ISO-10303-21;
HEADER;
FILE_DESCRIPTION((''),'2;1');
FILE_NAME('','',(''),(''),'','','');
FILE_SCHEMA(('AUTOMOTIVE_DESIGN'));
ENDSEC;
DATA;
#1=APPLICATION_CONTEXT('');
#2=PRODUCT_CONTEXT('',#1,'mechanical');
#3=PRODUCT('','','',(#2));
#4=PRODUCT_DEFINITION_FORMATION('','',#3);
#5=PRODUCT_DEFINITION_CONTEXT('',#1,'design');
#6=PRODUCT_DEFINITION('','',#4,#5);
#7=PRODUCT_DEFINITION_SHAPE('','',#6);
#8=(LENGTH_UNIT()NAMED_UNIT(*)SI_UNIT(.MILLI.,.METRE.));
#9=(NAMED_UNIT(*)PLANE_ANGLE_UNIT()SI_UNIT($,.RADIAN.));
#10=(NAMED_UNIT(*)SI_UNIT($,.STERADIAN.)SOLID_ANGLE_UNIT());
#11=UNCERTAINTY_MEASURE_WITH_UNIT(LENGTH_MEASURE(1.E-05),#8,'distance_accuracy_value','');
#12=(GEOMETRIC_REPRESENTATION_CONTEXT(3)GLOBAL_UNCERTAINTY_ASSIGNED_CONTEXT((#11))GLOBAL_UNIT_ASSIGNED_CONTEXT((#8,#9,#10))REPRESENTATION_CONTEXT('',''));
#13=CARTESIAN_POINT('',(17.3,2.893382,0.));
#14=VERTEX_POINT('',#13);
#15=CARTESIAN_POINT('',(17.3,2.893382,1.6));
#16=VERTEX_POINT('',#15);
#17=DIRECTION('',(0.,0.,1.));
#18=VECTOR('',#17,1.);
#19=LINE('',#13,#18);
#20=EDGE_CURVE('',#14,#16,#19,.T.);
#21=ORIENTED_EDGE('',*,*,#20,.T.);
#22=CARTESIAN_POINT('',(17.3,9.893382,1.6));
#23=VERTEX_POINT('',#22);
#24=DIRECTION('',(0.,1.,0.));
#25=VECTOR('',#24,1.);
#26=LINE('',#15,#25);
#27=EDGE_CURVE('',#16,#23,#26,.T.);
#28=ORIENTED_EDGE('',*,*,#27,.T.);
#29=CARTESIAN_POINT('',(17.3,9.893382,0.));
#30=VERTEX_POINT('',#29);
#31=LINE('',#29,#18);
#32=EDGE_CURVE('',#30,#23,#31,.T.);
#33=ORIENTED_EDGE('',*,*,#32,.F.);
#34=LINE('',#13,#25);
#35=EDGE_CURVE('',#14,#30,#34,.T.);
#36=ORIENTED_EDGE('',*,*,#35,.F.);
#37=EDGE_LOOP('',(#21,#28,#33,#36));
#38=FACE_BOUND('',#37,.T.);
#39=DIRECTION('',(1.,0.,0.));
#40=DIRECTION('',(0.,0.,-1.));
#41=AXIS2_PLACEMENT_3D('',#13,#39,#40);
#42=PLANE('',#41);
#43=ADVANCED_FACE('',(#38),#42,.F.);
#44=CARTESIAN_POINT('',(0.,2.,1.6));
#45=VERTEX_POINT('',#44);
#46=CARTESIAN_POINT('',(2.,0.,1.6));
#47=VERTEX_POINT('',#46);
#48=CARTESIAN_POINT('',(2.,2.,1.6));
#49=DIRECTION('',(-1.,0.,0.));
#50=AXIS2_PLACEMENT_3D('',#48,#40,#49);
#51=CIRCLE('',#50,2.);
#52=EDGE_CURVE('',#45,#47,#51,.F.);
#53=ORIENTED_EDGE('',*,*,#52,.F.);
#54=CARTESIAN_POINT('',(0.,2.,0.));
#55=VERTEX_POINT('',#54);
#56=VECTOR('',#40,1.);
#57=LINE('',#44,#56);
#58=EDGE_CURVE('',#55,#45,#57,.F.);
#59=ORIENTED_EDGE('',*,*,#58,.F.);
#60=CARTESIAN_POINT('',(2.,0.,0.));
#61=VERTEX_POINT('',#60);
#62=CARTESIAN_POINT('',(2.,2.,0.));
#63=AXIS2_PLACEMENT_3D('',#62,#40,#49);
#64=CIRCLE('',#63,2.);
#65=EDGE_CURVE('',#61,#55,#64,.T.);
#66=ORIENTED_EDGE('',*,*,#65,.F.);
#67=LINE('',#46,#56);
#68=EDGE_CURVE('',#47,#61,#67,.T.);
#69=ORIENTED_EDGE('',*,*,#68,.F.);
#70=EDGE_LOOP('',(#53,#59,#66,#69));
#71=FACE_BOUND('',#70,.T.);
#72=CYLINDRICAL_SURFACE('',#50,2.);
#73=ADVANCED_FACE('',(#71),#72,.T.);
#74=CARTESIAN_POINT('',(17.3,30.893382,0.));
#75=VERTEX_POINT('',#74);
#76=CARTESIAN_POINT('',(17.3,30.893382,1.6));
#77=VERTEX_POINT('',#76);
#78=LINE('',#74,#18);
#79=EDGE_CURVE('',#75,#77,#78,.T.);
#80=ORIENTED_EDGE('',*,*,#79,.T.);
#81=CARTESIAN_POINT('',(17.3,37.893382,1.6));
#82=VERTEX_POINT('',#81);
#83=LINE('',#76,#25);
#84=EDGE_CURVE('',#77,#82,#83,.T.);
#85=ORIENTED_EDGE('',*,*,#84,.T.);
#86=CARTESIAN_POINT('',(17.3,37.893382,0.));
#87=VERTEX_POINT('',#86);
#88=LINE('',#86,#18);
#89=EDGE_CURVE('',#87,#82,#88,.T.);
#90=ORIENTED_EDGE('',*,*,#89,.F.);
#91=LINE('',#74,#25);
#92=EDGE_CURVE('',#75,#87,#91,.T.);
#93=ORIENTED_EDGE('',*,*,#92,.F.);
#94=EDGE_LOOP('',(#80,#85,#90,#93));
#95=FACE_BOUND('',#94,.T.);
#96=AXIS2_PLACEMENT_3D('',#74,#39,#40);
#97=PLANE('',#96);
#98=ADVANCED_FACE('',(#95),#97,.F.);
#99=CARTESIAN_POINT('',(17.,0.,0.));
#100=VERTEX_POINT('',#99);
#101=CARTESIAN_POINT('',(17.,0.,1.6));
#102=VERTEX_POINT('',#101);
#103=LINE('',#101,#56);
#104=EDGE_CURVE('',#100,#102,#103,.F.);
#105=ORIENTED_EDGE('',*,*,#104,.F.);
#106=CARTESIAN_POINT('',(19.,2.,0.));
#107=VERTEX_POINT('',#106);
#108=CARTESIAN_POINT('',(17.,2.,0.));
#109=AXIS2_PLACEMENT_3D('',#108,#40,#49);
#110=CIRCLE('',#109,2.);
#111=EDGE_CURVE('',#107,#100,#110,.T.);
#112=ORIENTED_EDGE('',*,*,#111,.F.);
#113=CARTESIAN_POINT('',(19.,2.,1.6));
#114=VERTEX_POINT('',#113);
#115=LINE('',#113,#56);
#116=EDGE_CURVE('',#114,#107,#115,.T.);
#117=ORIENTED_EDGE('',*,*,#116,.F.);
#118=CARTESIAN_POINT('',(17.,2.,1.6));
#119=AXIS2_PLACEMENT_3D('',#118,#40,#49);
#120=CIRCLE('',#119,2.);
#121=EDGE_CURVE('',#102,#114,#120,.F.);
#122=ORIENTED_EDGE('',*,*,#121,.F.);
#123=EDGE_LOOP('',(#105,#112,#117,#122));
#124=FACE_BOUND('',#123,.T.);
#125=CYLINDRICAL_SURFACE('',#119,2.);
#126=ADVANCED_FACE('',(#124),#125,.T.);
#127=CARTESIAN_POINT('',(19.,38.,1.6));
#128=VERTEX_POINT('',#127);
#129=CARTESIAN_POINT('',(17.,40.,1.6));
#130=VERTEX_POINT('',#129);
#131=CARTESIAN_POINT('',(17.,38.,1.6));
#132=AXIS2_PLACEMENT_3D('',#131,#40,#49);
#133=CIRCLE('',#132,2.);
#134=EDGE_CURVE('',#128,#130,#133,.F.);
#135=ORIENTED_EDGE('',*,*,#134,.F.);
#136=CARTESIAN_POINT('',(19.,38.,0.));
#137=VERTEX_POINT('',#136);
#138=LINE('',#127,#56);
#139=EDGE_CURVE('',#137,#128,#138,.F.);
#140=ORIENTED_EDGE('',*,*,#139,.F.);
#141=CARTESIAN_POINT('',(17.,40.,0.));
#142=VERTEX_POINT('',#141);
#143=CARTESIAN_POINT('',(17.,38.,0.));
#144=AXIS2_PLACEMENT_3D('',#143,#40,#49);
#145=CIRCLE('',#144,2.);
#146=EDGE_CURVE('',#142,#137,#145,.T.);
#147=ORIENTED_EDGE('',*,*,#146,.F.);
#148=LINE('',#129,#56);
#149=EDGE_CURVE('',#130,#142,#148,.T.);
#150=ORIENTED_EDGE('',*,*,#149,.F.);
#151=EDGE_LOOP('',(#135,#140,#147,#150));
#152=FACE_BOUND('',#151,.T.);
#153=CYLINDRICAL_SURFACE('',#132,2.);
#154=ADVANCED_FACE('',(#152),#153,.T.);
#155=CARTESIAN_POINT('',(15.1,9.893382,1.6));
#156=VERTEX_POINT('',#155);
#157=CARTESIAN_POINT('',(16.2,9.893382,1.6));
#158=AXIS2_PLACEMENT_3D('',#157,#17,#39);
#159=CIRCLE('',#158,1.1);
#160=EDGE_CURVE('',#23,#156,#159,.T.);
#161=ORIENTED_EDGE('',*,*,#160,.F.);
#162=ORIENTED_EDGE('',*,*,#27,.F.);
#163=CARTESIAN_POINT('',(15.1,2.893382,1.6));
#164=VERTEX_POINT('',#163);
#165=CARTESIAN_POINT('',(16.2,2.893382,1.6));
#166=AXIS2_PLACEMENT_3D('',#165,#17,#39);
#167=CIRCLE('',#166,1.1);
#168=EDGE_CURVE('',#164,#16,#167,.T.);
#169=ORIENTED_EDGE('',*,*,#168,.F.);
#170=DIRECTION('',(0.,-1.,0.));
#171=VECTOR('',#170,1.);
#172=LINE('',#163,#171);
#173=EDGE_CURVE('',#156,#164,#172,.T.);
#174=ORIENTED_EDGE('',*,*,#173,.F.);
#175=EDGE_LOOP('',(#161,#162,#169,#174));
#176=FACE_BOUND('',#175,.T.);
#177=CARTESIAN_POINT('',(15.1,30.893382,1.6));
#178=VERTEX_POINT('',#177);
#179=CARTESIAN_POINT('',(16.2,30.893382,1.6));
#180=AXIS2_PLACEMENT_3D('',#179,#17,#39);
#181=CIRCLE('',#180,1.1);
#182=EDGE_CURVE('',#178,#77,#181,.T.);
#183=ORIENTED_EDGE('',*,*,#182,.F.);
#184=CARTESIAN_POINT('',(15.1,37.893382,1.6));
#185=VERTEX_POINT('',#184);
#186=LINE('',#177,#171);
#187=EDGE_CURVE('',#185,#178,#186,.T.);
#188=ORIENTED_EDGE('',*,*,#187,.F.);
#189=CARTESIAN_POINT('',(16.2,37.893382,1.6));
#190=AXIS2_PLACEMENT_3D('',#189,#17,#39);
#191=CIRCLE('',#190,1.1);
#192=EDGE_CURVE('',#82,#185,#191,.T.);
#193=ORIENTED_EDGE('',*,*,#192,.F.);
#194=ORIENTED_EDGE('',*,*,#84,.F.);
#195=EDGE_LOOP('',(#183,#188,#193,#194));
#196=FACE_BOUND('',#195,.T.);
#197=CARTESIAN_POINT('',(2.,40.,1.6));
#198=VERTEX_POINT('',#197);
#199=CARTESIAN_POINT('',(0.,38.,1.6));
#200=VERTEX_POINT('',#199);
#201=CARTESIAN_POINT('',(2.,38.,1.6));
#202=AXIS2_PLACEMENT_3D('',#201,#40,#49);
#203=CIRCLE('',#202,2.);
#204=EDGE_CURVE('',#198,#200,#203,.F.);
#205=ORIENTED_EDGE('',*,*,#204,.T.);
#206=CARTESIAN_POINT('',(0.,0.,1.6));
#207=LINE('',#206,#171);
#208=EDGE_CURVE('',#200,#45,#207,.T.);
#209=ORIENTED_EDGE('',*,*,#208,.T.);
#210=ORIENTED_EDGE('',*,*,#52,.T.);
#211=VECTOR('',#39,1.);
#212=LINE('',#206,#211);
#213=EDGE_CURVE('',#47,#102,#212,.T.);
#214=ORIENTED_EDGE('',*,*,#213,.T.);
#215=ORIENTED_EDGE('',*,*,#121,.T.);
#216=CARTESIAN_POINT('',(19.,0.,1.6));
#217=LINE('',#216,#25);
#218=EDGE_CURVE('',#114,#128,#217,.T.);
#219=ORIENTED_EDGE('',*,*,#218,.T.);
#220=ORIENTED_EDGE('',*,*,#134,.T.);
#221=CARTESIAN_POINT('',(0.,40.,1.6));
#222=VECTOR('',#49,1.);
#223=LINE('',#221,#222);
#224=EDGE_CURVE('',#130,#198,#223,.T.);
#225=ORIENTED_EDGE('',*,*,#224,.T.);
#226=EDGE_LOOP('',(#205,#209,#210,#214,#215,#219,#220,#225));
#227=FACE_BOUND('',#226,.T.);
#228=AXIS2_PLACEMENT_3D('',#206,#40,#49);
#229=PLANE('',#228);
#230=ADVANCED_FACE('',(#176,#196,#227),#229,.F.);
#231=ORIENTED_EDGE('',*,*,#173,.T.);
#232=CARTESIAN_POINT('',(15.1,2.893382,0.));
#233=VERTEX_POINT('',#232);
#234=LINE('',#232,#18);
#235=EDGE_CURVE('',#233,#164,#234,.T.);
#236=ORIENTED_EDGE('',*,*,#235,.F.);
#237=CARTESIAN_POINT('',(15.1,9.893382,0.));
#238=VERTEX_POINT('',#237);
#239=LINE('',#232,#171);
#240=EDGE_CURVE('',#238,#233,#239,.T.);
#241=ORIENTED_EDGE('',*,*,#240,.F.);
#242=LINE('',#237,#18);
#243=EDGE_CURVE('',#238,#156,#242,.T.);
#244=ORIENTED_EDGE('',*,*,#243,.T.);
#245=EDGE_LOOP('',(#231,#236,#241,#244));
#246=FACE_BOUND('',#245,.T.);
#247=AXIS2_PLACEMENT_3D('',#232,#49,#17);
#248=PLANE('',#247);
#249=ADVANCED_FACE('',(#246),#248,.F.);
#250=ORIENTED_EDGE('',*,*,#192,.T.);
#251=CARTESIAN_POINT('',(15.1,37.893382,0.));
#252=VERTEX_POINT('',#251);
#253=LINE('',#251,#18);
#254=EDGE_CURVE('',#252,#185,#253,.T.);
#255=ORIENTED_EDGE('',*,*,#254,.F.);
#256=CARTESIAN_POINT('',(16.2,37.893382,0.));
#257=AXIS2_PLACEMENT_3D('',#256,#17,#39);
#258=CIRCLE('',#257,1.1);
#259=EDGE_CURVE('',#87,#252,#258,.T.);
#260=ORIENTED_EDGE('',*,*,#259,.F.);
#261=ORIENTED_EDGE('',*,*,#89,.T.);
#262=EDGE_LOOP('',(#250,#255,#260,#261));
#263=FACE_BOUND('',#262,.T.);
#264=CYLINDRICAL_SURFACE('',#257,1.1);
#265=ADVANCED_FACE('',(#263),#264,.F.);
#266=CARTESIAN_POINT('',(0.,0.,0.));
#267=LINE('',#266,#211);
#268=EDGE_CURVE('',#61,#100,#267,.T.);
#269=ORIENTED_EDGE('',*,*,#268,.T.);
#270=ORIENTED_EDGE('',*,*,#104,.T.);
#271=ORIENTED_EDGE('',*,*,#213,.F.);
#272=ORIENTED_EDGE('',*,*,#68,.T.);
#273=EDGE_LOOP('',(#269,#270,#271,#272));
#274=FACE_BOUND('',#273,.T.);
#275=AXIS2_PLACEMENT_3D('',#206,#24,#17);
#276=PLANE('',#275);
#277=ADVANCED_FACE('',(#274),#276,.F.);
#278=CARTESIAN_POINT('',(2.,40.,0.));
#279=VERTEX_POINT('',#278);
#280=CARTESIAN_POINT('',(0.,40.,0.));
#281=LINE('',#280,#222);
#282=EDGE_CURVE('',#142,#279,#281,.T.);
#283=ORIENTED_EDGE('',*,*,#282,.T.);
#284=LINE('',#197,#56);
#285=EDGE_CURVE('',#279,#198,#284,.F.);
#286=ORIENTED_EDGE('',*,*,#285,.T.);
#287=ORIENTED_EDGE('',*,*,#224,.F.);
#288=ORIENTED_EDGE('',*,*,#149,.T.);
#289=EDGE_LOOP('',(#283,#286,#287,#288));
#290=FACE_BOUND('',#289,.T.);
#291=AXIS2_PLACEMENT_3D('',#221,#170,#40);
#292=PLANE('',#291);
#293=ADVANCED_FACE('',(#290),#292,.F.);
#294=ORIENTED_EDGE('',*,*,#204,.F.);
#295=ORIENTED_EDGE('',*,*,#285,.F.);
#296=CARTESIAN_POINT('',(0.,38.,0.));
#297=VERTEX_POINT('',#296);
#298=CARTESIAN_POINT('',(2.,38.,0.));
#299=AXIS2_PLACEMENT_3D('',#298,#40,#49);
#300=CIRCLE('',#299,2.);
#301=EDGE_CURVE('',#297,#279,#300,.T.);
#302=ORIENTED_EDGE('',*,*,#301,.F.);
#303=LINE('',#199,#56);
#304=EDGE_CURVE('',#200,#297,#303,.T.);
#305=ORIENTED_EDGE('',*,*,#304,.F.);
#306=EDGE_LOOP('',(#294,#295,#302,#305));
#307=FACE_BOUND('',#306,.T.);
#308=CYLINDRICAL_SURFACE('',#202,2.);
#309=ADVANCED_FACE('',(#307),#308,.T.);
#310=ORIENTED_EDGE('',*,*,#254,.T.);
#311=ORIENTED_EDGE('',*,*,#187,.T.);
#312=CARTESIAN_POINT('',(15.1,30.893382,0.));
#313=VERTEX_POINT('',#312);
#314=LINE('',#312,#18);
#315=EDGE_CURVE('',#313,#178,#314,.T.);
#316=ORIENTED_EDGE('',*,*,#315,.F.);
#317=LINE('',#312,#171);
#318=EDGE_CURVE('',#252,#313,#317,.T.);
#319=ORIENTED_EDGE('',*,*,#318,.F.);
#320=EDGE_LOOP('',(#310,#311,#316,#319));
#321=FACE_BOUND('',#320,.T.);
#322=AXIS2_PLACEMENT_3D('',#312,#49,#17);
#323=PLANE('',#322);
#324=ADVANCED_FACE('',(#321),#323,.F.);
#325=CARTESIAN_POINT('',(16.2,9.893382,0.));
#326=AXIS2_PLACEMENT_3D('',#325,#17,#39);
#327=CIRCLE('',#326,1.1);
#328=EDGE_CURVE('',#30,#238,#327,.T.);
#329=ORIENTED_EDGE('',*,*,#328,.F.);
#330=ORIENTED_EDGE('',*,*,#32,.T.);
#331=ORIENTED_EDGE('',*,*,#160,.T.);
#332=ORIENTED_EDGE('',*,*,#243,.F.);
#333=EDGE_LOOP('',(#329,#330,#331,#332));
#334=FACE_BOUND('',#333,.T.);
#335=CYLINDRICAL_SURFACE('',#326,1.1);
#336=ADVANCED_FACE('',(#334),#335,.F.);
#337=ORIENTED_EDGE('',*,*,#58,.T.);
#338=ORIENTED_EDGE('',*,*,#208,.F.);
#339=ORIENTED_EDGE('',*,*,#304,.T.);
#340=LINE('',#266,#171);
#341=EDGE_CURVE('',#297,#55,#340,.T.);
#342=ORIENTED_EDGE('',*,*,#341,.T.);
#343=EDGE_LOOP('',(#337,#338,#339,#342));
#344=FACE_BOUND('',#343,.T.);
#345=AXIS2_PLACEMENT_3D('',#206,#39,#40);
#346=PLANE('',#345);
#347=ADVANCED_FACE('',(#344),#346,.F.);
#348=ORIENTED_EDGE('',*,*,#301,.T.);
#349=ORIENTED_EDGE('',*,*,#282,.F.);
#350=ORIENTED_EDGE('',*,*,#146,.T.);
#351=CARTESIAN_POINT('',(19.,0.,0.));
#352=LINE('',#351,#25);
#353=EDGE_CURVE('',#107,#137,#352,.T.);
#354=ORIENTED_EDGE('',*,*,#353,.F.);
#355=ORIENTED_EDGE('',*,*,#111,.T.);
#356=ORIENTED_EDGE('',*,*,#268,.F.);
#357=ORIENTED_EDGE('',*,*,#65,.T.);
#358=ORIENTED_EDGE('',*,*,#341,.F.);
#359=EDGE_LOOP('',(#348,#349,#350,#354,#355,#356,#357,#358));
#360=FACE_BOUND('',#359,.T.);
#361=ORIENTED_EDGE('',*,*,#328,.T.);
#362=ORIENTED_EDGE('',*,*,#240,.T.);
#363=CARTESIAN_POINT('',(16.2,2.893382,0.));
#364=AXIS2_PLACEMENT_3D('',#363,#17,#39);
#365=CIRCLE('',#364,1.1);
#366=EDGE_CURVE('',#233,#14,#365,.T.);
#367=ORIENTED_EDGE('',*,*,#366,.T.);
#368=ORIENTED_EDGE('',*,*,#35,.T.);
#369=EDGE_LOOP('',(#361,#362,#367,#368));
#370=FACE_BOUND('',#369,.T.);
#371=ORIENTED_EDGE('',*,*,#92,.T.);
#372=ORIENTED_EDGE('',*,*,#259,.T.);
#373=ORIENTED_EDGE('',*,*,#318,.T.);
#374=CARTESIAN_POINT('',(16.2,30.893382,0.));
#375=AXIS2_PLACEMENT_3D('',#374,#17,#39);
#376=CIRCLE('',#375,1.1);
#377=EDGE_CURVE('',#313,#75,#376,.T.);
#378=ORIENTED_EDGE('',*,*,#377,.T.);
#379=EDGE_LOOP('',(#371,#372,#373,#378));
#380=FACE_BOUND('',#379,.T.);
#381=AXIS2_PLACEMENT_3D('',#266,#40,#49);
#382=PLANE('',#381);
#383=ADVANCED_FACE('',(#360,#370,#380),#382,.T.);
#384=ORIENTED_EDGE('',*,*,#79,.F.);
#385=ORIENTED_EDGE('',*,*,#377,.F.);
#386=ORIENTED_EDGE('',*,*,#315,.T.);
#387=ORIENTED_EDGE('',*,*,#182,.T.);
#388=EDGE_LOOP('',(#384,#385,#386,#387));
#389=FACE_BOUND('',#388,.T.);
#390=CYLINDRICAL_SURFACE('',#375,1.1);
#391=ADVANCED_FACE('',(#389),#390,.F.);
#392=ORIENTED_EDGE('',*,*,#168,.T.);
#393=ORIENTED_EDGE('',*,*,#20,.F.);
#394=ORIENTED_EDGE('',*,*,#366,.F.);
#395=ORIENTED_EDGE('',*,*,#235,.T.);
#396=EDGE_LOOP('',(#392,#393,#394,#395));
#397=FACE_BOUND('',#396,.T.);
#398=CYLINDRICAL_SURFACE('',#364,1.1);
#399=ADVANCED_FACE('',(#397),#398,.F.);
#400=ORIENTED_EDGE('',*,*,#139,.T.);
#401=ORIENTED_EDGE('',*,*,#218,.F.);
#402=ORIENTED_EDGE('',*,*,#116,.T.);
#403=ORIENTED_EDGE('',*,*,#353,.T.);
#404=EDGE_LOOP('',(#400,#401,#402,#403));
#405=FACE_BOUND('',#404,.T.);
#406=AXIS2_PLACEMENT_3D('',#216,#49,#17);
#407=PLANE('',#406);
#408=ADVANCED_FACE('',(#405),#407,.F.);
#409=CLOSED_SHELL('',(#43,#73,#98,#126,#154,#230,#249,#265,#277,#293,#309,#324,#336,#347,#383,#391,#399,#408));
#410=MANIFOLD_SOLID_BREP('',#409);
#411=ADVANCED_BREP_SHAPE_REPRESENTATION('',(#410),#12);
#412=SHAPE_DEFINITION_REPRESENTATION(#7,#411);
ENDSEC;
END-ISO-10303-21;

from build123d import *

# Parameters (mm, degrees)
SKETCH_1_W          = 19
SKETCH_1_H          = 40
EXTRUDE_1_DEPTH     = 1.6
FILLET_1_R          = 2
CUT_EXTRUDE_1_DEPTH = 45.312075104


with BuildPart() as part:
    # Эскиз1 → Бобышка-Вытянуть1 (new body)
    with BuildSketch(Plane.XY):
        with Locations((9.5, 20)):
            Rectangle(SKETCH_1_W, SKETCH_1_H)
    extrude(amount=EXTRUDE_1_DEPTH)

    # Скругление1
    fillet_1_edges = [part.edges().sort_by_distance(p)[0] for p in [
        (0, 40, 0.8),
        (19, 40, 0.8),
        (19, 0, 0.8),
        (0, 0, 0.8),
    ]]
    fillet(fillet_1_edges, radius=FILLET_1_R)

    # Эскиз3 → Вырез-Вытянуть1 (cut, through all)
    with BuildSketch(Plane.XY.offset(1.6)):
        with BuildLine():
            Line((15.1, 2.893381891), (15.1, 9.893381891))
            ThreePointArc((15.1, 9.893381891), (16.2, 10.993381891), (17.3, 9.893381891))
            Line((17.3, 9.893381891), (17.3, 2.893381891))
            ThreePointArc((17.3, 2.893381891), (16.2, 1.793381891), (15.1, 2.893381891))
        make_face()
        with BuildLine():
            Line((15.1, 30.893381891), (15.1, 37.893381891))
            ThreePointArc((15.1, 37.893381891), (16.2, 38.993381891), (17.3, 37.893381891))
            Line((17.3, 37.893381891), (17.3, 30.893381891))
            ThreePointArc((17.3, 30.893381891), (16.2, 29.793381891), (15.1, 30.893381891))
        make_face()
    extrude(amount=-CUT_EXTRUDE_1_DEPTH, mode=Mode.SUBTRACT)


solid = part.part
